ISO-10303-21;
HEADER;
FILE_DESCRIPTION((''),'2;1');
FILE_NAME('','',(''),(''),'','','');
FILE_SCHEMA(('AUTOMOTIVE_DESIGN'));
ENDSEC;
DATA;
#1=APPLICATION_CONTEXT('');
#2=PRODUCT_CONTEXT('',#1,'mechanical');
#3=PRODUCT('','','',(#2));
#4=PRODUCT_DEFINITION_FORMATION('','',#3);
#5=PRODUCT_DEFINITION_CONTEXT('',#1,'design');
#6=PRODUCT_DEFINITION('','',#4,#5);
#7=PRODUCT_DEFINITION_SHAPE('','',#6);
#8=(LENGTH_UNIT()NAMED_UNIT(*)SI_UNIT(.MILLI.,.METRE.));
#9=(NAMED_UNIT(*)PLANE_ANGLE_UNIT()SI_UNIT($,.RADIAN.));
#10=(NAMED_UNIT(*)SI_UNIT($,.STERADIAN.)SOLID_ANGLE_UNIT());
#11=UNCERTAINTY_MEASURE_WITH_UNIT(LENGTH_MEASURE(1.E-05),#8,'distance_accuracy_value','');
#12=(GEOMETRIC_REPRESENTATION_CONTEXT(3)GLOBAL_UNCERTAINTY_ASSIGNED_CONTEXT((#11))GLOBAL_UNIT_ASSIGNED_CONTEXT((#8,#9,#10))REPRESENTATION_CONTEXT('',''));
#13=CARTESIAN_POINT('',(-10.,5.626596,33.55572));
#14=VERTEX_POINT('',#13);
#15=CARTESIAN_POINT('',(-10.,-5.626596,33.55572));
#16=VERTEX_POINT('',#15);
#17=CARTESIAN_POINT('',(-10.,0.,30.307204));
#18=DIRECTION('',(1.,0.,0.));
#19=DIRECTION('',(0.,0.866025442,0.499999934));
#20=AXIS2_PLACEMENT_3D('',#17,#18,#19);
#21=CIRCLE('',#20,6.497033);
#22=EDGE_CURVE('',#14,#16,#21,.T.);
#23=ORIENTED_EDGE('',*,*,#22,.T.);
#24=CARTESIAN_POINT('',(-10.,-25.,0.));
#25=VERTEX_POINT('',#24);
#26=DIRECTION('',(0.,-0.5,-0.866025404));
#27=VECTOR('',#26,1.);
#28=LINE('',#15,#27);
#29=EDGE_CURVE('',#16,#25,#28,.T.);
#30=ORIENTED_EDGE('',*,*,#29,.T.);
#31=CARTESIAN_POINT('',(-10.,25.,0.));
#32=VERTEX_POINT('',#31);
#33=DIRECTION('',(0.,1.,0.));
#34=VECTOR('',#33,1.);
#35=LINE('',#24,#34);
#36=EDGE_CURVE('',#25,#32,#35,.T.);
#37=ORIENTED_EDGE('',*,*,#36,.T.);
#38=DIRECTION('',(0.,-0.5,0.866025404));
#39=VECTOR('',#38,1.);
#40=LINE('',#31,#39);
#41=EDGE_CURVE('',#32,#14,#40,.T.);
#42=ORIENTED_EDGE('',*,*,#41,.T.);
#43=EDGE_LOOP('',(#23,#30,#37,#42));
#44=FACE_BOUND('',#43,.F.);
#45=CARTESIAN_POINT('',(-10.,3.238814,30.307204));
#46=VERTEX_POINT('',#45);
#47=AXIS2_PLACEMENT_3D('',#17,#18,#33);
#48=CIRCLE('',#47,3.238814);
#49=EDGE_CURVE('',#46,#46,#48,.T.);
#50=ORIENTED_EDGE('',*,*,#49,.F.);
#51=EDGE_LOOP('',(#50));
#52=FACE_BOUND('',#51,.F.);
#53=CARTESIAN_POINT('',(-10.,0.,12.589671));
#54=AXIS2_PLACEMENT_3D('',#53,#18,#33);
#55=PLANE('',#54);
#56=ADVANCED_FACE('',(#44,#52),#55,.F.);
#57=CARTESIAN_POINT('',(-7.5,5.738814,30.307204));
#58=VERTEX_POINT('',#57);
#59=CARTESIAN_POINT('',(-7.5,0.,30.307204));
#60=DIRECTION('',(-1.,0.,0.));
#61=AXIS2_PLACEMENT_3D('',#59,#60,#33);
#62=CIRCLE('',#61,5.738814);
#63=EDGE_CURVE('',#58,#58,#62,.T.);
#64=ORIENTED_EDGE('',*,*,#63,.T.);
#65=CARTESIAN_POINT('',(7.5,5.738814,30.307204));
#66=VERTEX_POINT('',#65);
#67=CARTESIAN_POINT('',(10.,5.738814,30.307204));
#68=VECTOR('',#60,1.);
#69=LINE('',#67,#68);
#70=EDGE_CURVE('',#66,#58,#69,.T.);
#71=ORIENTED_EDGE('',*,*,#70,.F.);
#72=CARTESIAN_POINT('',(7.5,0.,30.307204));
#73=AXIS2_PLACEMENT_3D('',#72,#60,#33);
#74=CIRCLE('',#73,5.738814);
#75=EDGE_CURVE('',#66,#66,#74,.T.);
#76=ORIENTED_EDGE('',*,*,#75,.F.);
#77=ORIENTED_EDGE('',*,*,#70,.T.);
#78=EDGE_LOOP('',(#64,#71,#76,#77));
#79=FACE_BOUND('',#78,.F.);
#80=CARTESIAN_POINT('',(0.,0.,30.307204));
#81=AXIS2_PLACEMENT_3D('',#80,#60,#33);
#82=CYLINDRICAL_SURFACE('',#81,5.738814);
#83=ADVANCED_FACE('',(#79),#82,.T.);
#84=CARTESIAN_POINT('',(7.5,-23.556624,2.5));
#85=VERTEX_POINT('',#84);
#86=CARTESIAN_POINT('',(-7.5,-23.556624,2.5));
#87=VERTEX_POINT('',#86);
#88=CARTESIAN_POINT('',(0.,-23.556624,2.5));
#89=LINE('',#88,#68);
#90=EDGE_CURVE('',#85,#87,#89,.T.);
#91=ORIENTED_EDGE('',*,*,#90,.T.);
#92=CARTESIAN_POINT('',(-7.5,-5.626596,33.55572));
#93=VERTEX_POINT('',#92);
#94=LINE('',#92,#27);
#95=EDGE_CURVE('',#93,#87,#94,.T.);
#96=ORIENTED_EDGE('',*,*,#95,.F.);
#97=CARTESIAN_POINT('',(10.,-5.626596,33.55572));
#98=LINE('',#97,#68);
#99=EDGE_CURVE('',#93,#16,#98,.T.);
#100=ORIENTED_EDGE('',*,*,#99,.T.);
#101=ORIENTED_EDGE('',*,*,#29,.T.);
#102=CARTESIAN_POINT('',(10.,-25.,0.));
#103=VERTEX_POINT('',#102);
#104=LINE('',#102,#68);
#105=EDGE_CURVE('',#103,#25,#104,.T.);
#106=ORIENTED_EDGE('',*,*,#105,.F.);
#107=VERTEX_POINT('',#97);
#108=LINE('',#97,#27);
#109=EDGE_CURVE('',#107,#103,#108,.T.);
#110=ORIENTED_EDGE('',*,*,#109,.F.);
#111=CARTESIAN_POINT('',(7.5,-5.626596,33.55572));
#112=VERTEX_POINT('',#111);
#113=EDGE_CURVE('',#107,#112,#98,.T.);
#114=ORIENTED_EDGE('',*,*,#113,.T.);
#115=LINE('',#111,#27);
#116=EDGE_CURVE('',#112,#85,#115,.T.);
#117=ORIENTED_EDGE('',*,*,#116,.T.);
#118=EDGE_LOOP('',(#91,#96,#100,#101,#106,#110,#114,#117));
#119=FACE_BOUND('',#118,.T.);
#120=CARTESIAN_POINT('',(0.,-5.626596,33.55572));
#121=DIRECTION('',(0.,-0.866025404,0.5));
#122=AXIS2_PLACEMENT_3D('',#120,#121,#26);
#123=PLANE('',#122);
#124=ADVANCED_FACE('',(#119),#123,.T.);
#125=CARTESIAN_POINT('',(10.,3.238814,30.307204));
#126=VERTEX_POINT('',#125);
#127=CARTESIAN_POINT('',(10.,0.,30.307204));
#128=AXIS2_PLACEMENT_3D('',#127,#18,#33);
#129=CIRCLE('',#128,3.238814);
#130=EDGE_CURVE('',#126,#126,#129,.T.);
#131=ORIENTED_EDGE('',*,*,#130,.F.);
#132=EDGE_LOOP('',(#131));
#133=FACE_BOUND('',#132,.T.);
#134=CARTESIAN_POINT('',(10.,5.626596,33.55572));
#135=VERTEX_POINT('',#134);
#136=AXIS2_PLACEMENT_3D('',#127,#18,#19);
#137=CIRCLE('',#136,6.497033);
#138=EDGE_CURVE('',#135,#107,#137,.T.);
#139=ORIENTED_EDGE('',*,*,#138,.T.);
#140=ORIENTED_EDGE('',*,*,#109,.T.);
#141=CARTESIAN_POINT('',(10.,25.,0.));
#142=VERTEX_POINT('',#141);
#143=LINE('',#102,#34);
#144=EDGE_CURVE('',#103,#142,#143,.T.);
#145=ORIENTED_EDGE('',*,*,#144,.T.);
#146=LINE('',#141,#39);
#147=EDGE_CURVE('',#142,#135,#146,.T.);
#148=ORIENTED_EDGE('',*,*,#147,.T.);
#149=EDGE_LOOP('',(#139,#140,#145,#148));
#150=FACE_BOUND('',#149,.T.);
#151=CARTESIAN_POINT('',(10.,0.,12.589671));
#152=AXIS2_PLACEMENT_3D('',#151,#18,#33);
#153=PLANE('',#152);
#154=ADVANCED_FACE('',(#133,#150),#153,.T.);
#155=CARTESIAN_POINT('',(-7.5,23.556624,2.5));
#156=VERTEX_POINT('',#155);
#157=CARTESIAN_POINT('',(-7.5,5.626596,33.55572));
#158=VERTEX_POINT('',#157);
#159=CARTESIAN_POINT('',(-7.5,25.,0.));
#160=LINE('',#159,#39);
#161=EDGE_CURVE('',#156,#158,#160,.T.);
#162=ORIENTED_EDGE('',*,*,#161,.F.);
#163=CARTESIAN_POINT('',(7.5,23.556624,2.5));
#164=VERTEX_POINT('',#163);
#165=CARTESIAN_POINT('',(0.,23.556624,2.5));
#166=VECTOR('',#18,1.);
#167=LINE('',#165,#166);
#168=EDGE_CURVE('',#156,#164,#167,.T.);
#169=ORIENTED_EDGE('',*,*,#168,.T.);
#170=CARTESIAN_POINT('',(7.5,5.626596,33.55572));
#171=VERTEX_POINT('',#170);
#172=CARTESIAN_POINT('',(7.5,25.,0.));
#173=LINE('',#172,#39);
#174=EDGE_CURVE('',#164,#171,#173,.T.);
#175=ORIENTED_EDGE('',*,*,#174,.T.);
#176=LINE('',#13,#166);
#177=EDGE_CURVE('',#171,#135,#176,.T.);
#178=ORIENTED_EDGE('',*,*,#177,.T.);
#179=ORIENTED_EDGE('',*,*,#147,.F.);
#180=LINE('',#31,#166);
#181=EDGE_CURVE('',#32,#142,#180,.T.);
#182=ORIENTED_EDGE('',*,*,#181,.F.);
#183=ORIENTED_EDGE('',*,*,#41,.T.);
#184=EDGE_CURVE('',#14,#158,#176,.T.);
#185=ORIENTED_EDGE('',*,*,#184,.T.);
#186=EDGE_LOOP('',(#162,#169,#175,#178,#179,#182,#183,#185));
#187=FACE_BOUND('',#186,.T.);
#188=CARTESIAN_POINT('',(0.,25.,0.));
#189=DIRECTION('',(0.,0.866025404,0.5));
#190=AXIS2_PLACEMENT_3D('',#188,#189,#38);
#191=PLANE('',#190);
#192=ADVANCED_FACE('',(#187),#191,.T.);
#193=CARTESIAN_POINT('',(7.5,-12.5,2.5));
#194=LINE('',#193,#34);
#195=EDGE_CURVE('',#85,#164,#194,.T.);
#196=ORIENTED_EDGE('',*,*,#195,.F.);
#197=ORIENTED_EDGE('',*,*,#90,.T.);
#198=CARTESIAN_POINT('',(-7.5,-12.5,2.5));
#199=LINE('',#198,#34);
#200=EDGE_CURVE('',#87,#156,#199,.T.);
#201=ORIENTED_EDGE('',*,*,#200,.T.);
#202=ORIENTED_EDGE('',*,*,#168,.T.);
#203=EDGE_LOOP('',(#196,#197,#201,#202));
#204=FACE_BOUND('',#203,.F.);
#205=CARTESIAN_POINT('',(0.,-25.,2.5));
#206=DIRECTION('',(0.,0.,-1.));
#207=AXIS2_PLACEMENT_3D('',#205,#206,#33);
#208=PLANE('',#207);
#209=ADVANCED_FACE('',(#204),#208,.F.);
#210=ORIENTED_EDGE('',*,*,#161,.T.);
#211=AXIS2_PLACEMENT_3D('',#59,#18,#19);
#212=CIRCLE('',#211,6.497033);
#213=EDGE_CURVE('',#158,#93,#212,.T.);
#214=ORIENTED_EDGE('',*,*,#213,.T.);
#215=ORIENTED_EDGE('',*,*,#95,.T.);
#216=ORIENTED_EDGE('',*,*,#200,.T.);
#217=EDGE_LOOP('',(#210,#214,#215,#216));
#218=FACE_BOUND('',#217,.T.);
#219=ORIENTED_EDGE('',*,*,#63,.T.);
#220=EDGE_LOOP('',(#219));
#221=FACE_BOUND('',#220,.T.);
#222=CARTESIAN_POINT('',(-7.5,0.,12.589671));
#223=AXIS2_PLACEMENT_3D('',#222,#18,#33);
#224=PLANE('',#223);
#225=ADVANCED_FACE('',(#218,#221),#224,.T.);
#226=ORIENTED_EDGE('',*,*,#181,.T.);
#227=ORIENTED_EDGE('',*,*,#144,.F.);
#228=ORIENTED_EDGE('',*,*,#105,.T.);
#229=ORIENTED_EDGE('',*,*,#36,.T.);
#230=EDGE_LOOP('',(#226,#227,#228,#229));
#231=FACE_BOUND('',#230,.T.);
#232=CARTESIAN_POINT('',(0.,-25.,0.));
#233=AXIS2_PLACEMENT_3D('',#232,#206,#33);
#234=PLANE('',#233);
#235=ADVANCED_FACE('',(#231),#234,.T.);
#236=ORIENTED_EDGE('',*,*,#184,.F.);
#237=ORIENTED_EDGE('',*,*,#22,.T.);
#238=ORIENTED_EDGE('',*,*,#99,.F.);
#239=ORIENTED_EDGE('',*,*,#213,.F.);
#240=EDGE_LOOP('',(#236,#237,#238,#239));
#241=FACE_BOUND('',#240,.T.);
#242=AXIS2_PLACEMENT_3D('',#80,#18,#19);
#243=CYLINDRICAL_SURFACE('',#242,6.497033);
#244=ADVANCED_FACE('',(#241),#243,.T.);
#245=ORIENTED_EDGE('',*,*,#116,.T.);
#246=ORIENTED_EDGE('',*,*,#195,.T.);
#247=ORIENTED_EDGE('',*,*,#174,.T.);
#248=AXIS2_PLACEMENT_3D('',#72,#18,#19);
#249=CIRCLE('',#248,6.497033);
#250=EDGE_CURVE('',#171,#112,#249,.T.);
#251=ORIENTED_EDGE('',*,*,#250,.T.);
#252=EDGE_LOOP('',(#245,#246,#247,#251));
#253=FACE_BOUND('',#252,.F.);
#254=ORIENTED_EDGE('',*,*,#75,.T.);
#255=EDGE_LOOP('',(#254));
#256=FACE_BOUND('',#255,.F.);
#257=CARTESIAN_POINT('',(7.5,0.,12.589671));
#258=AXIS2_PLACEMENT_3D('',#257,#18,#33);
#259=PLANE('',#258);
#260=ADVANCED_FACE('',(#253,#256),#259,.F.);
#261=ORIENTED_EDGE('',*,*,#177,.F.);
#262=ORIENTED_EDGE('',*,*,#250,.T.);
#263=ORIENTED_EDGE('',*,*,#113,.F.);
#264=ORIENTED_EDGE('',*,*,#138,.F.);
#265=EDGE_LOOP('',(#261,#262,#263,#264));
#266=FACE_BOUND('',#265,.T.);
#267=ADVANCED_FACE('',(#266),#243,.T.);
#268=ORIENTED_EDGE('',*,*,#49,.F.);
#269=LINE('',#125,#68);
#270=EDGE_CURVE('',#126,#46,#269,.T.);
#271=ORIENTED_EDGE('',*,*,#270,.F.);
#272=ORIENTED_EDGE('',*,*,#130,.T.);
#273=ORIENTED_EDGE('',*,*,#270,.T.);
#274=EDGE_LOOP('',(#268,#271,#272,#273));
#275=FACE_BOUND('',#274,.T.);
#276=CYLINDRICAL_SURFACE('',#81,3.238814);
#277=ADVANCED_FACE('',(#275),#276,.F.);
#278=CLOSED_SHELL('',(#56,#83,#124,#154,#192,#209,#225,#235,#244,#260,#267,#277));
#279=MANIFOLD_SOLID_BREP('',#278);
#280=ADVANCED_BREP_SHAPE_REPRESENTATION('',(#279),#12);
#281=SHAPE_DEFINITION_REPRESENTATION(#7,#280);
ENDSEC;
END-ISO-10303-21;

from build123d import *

# Parameters (mm, degrees)
F0_R     = 3.238814
F1_DEPTH = 10
F2_T     = -2.5


with BuildPart() as f1:
    # F0 (on Right) → F1 (new body, symmetric)
    with BuildSketch(Plane.YZ):
        with BuildLine():
            Line((-25, 0), (0, 0))
            Line((0, 0), (25, 0))
            Line((25, 0), (5.626596, 33.55572))
            ThreePointArc((5.626596, 33.55572), (0, 36.804237), (-5.626596, 33.55572))
            Line((-5.626596, 33.55572), (-25, 0))
        make_face()
        with Locations((0, 30.307204)):
            Circle(F0_R, mode=Mode.SUBTRACT)
    extrude(amount=F1_DEPTH, both=True)

    # F2
    f2_openings = [f1.faces().sort_by_distance(p)[0] for p in [
        (0, 15.313298, 16.77786),
        (0, -15.313298, 16.77786),
        (0, 0, 36.804237),
    ]]
    offset(amount=F2_T, openings=f2_openings)


solid = f1.part
